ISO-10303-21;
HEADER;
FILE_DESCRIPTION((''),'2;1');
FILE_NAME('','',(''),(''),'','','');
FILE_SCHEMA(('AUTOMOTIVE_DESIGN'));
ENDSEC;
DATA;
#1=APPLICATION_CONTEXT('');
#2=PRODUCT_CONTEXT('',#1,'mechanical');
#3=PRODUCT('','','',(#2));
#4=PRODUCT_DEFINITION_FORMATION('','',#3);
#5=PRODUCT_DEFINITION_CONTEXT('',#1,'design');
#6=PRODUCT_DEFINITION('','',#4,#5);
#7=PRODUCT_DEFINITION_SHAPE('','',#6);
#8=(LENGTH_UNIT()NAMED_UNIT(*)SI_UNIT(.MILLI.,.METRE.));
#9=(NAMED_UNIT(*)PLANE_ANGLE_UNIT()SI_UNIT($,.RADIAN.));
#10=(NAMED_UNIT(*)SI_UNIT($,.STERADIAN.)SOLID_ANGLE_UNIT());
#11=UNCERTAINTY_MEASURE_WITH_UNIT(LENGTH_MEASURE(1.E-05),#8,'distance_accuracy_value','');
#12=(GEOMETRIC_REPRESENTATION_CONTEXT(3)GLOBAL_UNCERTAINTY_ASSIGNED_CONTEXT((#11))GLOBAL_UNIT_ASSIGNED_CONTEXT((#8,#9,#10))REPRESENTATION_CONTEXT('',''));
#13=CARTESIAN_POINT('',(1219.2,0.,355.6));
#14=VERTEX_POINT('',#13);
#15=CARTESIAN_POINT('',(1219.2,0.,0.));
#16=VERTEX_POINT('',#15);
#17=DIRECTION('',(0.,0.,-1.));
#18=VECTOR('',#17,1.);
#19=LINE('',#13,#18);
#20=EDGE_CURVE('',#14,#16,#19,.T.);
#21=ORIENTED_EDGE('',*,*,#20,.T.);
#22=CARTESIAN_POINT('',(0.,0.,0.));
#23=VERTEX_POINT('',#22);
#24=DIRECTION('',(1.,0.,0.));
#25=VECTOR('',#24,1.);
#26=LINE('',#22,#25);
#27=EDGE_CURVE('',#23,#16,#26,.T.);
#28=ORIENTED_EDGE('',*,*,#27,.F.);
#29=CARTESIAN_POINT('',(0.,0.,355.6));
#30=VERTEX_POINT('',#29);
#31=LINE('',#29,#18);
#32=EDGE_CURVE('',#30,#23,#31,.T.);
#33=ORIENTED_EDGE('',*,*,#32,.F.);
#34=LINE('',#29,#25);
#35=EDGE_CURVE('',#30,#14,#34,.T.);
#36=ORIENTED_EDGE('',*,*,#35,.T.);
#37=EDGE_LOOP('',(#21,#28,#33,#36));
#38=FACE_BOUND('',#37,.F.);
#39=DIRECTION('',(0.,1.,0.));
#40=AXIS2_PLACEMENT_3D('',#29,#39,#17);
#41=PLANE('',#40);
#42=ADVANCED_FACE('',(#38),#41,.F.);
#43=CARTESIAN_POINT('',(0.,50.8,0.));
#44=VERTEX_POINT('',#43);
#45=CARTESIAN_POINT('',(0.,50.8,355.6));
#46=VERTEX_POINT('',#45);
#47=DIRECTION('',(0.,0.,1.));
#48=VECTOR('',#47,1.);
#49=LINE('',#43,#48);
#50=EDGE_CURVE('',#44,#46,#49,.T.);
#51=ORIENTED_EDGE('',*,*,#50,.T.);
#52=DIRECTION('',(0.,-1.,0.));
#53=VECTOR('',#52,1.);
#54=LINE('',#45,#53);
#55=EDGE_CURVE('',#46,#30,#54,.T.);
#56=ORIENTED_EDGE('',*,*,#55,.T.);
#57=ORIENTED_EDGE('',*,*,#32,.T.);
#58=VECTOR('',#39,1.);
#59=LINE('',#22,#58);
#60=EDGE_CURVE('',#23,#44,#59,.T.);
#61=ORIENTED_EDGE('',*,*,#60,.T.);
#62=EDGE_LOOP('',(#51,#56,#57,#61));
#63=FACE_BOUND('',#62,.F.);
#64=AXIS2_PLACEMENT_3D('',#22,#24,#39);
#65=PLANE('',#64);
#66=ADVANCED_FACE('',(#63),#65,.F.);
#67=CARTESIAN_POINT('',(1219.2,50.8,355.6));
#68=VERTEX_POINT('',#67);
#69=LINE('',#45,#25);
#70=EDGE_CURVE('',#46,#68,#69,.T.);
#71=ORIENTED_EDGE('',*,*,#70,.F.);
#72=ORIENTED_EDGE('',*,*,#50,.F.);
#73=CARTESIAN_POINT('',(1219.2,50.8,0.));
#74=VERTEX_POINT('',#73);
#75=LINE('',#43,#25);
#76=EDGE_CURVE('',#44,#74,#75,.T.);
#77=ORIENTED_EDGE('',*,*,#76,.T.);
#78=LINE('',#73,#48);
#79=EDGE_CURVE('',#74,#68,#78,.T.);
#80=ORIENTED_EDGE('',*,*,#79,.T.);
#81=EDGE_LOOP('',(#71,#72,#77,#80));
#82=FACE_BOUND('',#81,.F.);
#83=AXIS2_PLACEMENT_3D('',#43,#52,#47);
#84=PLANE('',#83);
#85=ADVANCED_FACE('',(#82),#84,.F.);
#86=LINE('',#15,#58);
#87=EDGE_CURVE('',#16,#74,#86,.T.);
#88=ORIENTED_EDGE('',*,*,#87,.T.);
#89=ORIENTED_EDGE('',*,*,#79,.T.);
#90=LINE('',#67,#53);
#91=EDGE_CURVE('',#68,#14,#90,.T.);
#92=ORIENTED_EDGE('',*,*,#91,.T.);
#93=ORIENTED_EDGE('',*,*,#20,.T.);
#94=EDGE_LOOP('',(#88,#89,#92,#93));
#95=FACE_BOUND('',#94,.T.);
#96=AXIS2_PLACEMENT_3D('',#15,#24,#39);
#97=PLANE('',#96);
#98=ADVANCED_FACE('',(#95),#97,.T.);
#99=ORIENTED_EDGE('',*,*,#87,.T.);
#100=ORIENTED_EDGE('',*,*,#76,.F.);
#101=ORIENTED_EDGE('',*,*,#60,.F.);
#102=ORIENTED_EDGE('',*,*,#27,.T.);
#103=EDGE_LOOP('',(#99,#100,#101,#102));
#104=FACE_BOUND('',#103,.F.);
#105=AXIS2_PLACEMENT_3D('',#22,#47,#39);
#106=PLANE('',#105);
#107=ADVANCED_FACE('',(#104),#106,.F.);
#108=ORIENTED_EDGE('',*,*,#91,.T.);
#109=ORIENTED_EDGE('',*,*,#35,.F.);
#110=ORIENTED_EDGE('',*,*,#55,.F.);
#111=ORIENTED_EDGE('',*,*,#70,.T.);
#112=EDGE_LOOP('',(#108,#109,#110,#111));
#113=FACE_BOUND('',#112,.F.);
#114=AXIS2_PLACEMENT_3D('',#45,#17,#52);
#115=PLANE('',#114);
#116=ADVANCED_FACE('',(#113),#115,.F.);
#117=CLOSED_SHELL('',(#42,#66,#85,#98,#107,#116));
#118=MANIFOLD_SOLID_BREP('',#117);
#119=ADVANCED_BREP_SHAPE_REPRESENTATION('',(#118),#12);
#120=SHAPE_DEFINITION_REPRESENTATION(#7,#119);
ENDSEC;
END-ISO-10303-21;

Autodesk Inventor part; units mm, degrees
ref_plane "YZ Plane" through (0, 0, 0) normal (1, 0, 0) x (0, 1, 0)
ref_plane "XZ Plane" through (0, 0, 0) normal (0, 1, 0) x (-1, 0, 0)
ref_plane "XY Plane" through (0, 0, 0) normal (0, 0, 1) x (1, 0, 0)
sketch "Sketch1" plane through (0, 0, 0) normal (1, 0, 0) x (0, 1, 0)
  line L0 (0, 0) -> (50.8, 0)
  line L1 (50.8, 0) -> (50.8, 355.6)
  line L2 (50.8, 355.6) -> (0, 355.6)
  line L3 (0, 355.6) -> (0, 0)
  dimension "d0" = 50.8
  dimension "d1" = 355.6
extrude "Extrusion1" add sketch "Sketch1" along normal blind 1219.2
properties part number "2x14x48-2" material "Granite, Cut, Polished"
